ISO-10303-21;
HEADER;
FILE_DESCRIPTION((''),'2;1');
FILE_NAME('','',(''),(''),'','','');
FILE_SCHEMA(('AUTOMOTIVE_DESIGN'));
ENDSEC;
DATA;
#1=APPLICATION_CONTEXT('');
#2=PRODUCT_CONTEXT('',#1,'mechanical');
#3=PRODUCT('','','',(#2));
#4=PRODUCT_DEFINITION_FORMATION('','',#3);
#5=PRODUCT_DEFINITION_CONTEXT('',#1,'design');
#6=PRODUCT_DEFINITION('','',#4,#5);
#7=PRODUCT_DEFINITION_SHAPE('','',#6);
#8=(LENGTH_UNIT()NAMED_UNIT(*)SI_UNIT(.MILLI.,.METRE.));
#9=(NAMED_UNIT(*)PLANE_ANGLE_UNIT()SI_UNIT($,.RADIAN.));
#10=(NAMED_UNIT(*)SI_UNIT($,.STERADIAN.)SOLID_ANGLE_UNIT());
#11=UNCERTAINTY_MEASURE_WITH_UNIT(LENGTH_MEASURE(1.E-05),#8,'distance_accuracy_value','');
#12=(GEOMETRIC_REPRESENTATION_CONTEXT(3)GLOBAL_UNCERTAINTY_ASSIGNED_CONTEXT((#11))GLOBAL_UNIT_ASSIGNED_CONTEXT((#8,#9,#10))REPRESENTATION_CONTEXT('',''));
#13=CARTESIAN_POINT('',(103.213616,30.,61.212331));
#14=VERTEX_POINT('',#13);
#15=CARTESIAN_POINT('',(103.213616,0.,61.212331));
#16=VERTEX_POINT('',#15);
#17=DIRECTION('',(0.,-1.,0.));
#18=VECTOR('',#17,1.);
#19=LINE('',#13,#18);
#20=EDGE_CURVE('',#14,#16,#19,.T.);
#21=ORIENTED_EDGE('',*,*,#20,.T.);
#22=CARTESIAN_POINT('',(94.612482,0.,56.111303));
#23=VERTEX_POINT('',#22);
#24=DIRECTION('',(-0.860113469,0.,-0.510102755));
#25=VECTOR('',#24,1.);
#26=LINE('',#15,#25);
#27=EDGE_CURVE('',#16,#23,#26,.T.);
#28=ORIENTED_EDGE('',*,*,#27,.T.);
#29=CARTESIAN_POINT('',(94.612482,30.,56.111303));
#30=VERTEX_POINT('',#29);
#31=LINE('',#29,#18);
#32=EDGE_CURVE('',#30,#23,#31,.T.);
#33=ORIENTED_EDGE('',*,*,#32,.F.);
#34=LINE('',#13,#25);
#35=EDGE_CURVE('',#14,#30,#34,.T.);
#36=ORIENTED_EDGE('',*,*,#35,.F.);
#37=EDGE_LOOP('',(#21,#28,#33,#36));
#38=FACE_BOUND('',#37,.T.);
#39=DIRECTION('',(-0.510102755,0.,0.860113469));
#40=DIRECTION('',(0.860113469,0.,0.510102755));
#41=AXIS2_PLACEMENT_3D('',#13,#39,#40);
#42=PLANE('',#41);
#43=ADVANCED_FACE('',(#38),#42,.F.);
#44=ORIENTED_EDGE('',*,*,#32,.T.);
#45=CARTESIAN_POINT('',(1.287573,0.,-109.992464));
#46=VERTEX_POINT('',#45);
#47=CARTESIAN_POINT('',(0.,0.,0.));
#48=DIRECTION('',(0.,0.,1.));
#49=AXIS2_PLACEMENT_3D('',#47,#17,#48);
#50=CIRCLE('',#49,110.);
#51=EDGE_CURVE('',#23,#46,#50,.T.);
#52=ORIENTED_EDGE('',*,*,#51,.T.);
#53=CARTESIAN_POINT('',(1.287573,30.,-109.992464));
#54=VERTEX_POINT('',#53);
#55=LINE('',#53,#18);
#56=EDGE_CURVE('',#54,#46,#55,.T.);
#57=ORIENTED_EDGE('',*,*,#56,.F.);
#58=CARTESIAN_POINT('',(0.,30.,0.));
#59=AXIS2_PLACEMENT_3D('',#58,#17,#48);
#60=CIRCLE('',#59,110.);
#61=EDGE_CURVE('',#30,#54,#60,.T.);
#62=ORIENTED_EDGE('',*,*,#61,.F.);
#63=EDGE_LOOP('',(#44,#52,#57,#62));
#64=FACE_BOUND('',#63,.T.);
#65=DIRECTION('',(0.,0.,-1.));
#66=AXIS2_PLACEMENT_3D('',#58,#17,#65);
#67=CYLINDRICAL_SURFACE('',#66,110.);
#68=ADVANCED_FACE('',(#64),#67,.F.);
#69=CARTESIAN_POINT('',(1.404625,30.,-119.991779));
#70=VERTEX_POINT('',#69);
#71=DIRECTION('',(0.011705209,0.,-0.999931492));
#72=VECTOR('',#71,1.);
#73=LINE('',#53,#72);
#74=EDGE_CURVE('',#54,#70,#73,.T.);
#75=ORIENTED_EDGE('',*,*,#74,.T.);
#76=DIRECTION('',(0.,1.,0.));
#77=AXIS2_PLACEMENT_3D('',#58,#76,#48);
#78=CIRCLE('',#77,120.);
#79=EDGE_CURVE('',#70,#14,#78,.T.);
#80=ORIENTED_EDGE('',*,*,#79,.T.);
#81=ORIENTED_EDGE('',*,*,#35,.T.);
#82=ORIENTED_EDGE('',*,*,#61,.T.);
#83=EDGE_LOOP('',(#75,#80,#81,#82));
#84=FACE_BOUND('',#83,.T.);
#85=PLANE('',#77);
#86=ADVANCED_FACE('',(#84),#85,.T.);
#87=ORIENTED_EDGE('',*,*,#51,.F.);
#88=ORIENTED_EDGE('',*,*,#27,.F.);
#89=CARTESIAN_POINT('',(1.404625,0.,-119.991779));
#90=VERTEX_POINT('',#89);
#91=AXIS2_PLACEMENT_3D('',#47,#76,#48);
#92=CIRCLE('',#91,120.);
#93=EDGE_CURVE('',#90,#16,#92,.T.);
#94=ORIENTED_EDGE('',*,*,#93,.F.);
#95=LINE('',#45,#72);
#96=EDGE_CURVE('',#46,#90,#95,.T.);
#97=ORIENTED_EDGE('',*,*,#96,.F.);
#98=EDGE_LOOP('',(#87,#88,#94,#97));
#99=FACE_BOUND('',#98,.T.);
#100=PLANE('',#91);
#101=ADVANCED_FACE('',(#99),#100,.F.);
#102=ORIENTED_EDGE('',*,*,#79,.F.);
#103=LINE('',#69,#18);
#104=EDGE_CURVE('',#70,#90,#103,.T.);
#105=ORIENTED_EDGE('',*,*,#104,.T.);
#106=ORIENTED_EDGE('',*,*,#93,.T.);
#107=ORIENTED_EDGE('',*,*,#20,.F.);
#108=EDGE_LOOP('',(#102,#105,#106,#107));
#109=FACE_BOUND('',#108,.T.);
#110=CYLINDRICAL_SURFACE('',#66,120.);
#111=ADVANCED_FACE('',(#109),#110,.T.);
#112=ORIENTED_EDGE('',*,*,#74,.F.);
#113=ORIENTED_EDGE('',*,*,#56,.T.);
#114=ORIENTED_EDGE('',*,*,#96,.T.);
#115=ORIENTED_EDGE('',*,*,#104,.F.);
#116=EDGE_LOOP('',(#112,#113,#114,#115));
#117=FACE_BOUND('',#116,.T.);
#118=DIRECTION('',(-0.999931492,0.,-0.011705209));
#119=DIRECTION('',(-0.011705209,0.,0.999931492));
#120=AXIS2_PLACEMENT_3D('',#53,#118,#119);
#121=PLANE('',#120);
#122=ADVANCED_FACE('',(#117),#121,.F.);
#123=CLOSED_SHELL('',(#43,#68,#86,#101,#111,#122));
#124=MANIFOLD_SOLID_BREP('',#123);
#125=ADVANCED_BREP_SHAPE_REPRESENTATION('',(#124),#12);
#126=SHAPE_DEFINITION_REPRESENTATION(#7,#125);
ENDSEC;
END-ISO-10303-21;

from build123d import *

# Parameters (mm, degrees)
BOSS_EXTRUDE1_DEPTH = 30


with BuildPart() as part:
    # Sketch1 → Boss-Extrude1 (new body)
    with BuildSketch(Plane(origin=(0, 0, 0), x_dir=(1, 0, 0), z_dir=(0, 1, 0))):
        with BuildLine():
            Line((1.287573032, 109.992464086), (1.404625125, 119.991779003))
            ThreePointArc((1.404625125, 119.991779003), (-104.618241424, -58.77944846), (103.213616299, -61.212330543))
            Line((103.213616299, -61.212330543), (94.612481607, -56.111302997))
            ThreePointArc((94.612481607, -56.111302997), (-95.900054639, -53.881161088), (1.287573032, 109.992464086))
        make_face()
    extrude(amount=BOSS_EXTRUDE1_DEPTH)


solid = part.part
